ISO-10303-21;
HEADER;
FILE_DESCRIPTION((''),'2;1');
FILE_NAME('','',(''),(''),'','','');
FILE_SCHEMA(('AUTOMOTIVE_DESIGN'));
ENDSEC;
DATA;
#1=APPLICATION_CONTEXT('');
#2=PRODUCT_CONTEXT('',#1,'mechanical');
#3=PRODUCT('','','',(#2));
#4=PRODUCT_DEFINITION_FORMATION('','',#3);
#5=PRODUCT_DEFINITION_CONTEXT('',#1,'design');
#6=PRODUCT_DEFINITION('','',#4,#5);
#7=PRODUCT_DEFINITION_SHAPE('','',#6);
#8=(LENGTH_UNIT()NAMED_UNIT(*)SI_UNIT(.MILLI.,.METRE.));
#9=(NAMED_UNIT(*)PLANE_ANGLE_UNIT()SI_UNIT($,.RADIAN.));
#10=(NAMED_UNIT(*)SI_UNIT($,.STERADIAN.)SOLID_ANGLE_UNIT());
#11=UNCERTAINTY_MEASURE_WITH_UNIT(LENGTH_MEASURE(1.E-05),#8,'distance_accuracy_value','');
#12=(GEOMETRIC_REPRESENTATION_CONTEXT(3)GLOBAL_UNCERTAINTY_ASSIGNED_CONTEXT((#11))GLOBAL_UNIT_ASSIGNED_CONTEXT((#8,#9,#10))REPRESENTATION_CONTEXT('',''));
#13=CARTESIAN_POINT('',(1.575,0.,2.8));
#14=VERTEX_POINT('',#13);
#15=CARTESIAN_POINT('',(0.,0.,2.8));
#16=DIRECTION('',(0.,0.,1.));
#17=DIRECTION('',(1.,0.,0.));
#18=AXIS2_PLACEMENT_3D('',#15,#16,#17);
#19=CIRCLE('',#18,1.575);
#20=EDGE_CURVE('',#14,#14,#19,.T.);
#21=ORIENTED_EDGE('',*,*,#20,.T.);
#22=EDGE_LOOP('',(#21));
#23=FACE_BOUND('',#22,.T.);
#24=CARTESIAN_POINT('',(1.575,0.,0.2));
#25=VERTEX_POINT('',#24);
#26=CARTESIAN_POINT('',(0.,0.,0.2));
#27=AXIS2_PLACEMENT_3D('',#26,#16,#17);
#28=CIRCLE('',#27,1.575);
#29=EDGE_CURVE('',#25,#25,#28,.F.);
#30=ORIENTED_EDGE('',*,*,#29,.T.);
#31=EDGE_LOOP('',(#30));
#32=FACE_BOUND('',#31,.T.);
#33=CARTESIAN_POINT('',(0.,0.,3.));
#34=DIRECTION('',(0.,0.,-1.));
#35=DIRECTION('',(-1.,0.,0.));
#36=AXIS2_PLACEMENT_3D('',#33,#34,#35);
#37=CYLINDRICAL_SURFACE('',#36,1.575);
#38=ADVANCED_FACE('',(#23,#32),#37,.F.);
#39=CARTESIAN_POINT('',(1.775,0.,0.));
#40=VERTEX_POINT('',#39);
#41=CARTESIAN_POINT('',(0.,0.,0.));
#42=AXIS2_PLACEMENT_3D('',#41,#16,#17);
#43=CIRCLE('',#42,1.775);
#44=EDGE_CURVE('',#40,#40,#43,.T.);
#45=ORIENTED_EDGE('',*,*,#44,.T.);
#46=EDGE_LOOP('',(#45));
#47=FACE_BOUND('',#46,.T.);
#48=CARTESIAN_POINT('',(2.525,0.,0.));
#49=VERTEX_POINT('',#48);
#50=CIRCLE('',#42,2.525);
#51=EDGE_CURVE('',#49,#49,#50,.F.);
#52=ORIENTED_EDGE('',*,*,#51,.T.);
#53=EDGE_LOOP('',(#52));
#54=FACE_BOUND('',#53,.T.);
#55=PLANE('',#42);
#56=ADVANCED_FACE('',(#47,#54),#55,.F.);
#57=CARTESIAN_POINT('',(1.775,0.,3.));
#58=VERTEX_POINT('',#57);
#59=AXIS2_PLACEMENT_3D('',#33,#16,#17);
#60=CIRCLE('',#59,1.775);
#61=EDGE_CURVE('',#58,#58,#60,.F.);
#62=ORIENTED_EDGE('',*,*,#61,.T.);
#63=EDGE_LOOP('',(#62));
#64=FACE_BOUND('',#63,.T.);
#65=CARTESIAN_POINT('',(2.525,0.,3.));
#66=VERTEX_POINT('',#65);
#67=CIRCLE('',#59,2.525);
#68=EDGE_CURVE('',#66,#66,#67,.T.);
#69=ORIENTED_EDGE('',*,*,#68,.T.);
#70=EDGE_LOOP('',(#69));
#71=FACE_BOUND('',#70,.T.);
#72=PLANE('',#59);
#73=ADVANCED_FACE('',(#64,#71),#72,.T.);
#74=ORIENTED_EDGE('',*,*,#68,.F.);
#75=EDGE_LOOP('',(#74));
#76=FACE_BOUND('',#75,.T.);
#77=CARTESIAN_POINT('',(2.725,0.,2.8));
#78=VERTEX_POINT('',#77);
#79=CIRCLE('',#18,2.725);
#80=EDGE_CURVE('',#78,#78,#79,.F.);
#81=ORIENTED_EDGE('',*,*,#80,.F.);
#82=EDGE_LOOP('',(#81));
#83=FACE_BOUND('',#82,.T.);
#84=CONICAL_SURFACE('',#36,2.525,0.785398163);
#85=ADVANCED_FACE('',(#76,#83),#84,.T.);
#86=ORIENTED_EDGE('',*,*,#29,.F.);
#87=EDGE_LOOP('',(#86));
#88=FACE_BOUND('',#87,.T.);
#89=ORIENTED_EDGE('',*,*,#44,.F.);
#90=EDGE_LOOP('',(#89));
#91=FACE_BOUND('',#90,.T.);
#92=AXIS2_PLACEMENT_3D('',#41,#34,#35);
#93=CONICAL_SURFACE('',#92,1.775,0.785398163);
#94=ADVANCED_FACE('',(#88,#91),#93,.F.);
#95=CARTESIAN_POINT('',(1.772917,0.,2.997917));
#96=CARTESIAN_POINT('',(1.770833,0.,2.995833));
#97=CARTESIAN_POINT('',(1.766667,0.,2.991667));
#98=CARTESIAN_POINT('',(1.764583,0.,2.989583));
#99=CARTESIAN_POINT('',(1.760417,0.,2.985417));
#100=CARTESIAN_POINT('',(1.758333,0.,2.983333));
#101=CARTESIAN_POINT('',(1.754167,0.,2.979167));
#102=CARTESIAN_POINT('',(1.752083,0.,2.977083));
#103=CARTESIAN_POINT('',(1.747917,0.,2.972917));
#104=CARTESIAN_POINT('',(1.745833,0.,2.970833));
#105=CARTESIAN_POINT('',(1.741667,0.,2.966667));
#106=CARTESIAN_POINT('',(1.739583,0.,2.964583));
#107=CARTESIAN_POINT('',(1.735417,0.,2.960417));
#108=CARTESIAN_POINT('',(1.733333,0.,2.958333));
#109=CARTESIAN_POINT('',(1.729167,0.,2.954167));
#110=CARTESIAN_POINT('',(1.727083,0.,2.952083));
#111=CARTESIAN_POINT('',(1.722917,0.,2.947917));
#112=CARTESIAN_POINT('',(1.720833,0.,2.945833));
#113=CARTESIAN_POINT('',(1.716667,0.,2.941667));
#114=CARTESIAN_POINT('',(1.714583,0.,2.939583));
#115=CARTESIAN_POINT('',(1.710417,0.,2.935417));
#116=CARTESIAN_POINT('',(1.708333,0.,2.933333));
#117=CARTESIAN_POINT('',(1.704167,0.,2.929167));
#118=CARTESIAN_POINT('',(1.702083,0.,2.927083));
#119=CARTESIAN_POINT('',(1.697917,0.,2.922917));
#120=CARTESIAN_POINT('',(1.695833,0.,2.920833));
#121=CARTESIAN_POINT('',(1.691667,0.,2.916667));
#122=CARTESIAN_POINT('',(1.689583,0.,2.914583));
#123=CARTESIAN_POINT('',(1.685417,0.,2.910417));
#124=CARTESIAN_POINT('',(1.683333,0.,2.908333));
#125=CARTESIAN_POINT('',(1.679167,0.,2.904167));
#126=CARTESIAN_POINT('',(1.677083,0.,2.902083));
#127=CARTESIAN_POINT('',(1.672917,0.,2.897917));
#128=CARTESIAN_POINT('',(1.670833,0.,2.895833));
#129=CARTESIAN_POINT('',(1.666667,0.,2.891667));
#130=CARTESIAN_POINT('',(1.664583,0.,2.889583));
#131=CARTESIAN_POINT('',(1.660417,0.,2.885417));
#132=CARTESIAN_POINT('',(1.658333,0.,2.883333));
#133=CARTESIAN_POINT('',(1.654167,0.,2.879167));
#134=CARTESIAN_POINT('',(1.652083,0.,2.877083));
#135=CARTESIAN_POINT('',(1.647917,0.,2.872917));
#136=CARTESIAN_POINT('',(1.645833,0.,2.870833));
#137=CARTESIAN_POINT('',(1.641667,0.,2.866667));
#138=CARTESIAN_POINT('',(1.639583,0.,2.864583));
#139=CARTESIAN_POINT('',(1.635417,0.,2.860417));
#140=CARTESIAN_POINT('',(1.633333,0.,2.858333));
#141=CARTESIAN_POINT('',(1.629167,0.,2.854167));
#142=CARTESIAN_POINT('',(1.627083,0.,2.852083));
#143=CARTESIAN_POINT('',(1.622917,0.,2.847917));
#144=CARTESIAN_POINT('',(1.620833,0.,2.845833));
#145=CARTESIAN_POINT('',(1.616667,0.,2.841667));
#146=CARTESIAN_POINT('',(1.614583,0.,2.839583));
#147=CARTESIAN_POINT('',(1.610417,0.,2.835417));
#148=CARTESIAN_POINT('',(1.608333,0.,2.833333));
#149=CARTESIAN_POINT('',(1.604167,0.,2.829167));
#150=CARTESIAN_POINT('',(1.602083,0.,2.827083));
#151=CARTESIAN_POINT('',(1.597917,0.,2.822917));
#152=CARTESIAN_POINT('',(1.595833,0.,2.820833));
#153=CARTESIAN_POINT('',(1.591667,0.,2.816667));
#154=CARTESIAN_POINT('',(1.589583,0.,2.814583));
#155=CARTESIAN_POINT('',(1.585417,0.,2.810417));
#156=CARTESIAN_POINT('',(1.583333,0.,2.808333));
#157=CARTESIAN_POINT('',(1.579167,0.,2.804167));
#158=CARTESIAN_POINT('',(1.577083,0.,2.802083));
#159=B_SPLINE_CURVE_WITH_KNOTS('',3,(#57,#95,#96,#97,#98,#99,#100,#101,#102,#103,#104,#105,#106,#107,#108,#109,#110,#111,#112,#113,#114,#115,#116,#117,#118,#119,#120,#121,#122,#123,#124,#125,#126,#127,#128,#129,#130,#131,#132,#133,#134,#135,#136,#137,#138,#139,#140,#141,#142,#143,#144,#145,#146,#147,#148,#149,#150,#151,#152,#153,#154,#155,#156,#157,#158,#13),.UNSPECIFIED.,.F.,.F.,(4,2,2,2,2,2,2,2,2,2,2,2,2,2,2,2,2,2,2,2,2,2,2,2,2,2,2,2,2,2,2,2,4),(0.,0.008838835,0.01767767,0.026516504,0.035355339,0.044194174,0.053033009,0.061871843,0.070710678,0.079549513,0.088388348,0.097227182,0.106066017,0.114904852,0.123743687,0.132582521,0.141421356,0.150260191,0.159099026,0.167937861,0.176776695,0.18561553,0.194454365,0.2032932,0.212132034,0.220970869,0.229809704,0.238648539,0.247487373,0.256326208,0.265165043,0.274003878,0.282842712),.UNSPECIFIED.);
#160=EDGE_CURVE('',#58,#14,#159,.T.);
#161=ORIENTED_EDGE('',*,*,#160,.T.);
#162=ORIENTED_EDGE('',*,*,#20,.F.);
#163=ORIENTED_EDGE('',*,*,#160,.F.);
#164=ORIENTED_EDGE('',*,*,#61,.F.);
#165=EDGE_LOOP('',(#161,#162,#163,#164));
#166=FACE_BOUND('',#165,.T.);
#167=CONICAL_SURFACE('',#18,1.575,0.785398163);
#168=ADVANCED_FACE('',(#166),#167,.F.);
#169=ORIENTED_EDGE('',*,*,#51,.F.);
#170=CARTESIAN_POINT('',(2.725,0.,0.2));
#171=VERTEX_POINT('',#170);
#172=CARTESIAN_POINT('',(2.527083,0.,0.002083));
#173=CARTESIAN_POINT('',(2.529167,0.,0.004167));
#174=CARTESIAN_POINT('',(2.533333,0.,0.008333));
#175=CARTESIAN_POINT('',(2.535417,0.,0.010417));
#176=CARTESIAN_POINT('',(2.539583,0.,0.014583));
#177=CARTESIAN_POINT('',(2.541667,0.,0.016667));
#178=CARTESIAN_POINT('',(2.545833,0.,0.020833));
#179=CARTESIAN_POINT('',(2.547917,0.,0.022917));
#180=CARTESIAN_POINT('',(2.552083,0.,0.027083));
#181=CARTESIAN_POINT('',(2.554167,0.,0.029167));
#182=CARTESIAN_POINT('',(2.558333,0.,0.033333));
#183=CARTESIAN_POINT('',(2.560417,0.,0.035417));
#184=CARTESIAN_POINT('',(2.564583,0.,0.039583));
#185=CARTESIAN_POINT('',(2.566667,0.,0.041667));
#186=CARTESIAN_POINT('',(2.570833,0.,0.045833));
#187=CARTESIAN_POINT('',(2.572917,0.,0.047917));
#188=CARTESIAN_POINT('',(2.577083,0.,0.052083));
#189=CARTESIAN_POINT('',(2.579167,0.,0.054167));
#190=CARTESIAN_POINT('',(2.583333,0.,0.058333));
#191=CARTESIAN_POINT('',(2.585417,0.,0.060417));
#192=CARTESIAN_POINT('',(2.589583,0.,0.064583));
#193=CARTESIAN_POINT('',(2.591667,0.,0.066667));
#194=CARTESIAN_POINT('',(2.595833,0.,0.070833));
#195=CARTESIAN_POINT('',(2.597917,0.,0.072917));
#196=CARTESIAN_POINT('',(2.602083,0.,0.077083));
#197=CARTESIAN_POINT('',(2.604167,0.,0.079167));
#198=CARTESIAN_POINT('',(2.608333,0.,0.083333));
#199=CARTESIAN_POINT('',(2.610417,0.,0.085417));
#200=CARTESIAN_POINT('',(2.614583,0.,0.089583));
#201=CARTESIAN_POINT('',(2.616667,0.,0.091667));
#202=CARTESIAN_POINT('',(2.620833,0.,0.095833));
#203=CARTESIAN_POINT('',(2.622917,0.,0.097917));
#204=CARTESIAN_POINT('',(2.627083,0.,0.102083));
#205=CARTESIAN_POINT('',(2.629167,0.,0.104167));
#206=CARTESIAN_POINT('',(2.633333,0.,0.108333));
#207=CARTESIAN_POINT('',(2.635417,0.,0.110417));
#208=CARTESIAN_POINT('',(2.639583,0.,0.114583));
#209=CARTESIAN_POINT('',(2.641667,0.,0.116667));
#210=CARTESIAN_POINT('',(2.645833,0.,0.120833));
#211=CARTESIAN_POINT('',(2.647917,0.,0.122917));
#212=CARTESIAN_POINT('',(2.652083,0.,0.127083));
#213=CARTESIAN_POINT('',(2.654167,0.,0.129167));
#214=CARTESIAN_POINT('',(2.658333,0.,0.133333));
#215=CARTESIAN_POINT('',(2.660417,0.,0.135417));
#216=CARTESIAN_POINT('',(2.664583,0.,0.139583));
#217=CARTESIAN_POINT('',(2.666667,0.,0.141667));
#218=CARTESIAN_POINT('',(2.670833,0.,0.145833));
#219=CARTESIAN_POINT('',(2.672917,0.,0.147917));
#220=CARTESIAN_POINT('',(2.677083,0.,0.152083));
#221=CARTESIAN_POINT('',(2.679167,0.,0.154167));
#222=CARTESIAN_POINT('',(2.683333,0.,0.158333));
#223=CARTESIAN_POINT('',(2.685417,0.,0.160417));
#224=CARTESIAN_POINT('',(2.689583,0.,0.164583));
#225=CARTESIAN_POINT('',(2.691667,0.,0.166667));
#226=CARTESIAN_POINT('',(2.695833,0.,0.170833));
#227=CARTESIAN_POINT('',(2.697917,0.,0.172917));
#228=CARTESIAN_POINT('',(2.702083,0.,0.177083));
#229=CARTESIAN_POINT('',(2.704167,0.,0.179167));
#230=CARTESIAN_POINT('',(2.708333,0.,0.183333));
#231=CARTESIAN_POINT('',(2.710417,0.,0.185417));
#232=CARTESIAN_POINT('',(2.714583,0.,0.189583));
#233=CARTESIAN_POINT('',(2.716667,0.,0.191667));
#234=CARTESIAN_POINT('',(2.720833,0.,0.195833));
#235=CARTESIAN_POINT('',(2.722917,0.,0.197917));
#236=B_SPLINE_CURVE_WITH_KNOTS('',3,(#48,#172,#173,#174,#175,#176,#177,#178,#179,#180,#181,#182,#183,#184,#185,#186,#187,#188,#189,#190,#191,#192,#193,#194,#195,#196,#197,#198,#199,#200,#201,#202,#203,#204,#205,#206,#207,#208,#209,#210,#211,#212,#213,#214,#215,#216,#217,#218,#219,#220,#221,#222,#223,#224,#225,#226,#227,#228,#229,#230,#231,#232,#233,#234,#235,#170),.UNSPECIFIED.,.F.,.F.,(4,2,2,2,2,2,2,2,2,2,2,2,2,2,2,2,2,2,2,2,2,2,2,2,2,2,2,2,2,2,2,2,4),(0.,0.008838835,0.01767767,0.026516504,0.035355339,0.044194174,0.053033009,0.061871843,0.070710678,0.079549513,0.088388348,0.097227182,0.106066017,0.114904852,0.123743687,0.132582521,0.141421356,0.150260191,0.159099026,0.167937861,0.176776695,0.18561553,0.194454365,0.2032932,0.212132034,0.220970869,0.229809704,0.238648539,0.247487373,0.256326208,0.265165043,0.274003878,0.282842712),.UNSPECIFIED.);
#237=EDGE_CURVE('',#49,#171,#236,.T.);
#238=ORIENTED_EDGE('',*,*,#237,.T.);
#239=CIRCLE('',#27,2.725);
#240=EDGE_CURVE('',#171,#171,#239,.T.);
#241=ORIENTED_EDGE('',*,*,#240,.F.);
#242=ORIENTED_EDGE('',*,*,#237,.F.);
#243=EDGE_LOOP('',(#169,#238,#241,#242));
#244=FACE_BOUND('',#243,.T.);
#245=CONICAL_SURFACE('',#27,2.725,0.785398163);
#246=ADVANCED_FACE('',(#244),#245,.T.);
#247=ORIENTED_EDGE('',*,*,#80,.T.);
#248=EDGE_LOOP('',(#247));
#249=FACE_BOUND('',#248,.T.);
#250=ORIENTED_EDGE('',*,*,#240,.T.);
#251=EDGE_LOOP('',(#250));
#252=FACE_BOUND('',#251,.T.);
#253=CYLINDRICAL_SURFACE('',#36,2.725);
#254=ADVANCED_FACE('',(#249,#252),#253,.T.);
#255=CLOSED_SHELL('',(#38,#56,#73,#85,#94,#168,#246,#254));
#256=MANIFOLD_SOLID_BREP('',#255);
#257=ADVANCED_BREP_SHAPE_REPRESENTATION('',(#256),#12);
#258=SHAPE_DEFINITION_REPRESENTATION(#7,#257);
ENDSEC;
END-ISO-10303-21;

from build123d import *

# Parameters (mm, degrees)
SKETCH1_R           = 2.725
SKETCH1_R_2         = 1.575
BOSS_EXTRUDE1_DEPTH = 3
DEBURS_SIZE         = 0.2


with BuildPart() as part:
    # Sketch1 → Boss-Extrude1 (new body)
    with BuildSketch(Plane.XY):
        Circle(SKETCH1_R)
        Circle(SKETCH1_R_2, mode=Mode.SUBTRACT)
    extrude(amount=BOSS_EXTRUDE1_DEPTH)

    # Deburs
    deburs_edges = [part.edges().sort_by_distance(p)[0] for p in [
        (-2.725, 0, 0),
        (-2.725, 0, 3),
        (-1.575, 0, 0),
        (-1.575, 0, 3),
    ]]
    chamfer(deburs_edges, length=DEBURS_SIZE)


solid = part.part
